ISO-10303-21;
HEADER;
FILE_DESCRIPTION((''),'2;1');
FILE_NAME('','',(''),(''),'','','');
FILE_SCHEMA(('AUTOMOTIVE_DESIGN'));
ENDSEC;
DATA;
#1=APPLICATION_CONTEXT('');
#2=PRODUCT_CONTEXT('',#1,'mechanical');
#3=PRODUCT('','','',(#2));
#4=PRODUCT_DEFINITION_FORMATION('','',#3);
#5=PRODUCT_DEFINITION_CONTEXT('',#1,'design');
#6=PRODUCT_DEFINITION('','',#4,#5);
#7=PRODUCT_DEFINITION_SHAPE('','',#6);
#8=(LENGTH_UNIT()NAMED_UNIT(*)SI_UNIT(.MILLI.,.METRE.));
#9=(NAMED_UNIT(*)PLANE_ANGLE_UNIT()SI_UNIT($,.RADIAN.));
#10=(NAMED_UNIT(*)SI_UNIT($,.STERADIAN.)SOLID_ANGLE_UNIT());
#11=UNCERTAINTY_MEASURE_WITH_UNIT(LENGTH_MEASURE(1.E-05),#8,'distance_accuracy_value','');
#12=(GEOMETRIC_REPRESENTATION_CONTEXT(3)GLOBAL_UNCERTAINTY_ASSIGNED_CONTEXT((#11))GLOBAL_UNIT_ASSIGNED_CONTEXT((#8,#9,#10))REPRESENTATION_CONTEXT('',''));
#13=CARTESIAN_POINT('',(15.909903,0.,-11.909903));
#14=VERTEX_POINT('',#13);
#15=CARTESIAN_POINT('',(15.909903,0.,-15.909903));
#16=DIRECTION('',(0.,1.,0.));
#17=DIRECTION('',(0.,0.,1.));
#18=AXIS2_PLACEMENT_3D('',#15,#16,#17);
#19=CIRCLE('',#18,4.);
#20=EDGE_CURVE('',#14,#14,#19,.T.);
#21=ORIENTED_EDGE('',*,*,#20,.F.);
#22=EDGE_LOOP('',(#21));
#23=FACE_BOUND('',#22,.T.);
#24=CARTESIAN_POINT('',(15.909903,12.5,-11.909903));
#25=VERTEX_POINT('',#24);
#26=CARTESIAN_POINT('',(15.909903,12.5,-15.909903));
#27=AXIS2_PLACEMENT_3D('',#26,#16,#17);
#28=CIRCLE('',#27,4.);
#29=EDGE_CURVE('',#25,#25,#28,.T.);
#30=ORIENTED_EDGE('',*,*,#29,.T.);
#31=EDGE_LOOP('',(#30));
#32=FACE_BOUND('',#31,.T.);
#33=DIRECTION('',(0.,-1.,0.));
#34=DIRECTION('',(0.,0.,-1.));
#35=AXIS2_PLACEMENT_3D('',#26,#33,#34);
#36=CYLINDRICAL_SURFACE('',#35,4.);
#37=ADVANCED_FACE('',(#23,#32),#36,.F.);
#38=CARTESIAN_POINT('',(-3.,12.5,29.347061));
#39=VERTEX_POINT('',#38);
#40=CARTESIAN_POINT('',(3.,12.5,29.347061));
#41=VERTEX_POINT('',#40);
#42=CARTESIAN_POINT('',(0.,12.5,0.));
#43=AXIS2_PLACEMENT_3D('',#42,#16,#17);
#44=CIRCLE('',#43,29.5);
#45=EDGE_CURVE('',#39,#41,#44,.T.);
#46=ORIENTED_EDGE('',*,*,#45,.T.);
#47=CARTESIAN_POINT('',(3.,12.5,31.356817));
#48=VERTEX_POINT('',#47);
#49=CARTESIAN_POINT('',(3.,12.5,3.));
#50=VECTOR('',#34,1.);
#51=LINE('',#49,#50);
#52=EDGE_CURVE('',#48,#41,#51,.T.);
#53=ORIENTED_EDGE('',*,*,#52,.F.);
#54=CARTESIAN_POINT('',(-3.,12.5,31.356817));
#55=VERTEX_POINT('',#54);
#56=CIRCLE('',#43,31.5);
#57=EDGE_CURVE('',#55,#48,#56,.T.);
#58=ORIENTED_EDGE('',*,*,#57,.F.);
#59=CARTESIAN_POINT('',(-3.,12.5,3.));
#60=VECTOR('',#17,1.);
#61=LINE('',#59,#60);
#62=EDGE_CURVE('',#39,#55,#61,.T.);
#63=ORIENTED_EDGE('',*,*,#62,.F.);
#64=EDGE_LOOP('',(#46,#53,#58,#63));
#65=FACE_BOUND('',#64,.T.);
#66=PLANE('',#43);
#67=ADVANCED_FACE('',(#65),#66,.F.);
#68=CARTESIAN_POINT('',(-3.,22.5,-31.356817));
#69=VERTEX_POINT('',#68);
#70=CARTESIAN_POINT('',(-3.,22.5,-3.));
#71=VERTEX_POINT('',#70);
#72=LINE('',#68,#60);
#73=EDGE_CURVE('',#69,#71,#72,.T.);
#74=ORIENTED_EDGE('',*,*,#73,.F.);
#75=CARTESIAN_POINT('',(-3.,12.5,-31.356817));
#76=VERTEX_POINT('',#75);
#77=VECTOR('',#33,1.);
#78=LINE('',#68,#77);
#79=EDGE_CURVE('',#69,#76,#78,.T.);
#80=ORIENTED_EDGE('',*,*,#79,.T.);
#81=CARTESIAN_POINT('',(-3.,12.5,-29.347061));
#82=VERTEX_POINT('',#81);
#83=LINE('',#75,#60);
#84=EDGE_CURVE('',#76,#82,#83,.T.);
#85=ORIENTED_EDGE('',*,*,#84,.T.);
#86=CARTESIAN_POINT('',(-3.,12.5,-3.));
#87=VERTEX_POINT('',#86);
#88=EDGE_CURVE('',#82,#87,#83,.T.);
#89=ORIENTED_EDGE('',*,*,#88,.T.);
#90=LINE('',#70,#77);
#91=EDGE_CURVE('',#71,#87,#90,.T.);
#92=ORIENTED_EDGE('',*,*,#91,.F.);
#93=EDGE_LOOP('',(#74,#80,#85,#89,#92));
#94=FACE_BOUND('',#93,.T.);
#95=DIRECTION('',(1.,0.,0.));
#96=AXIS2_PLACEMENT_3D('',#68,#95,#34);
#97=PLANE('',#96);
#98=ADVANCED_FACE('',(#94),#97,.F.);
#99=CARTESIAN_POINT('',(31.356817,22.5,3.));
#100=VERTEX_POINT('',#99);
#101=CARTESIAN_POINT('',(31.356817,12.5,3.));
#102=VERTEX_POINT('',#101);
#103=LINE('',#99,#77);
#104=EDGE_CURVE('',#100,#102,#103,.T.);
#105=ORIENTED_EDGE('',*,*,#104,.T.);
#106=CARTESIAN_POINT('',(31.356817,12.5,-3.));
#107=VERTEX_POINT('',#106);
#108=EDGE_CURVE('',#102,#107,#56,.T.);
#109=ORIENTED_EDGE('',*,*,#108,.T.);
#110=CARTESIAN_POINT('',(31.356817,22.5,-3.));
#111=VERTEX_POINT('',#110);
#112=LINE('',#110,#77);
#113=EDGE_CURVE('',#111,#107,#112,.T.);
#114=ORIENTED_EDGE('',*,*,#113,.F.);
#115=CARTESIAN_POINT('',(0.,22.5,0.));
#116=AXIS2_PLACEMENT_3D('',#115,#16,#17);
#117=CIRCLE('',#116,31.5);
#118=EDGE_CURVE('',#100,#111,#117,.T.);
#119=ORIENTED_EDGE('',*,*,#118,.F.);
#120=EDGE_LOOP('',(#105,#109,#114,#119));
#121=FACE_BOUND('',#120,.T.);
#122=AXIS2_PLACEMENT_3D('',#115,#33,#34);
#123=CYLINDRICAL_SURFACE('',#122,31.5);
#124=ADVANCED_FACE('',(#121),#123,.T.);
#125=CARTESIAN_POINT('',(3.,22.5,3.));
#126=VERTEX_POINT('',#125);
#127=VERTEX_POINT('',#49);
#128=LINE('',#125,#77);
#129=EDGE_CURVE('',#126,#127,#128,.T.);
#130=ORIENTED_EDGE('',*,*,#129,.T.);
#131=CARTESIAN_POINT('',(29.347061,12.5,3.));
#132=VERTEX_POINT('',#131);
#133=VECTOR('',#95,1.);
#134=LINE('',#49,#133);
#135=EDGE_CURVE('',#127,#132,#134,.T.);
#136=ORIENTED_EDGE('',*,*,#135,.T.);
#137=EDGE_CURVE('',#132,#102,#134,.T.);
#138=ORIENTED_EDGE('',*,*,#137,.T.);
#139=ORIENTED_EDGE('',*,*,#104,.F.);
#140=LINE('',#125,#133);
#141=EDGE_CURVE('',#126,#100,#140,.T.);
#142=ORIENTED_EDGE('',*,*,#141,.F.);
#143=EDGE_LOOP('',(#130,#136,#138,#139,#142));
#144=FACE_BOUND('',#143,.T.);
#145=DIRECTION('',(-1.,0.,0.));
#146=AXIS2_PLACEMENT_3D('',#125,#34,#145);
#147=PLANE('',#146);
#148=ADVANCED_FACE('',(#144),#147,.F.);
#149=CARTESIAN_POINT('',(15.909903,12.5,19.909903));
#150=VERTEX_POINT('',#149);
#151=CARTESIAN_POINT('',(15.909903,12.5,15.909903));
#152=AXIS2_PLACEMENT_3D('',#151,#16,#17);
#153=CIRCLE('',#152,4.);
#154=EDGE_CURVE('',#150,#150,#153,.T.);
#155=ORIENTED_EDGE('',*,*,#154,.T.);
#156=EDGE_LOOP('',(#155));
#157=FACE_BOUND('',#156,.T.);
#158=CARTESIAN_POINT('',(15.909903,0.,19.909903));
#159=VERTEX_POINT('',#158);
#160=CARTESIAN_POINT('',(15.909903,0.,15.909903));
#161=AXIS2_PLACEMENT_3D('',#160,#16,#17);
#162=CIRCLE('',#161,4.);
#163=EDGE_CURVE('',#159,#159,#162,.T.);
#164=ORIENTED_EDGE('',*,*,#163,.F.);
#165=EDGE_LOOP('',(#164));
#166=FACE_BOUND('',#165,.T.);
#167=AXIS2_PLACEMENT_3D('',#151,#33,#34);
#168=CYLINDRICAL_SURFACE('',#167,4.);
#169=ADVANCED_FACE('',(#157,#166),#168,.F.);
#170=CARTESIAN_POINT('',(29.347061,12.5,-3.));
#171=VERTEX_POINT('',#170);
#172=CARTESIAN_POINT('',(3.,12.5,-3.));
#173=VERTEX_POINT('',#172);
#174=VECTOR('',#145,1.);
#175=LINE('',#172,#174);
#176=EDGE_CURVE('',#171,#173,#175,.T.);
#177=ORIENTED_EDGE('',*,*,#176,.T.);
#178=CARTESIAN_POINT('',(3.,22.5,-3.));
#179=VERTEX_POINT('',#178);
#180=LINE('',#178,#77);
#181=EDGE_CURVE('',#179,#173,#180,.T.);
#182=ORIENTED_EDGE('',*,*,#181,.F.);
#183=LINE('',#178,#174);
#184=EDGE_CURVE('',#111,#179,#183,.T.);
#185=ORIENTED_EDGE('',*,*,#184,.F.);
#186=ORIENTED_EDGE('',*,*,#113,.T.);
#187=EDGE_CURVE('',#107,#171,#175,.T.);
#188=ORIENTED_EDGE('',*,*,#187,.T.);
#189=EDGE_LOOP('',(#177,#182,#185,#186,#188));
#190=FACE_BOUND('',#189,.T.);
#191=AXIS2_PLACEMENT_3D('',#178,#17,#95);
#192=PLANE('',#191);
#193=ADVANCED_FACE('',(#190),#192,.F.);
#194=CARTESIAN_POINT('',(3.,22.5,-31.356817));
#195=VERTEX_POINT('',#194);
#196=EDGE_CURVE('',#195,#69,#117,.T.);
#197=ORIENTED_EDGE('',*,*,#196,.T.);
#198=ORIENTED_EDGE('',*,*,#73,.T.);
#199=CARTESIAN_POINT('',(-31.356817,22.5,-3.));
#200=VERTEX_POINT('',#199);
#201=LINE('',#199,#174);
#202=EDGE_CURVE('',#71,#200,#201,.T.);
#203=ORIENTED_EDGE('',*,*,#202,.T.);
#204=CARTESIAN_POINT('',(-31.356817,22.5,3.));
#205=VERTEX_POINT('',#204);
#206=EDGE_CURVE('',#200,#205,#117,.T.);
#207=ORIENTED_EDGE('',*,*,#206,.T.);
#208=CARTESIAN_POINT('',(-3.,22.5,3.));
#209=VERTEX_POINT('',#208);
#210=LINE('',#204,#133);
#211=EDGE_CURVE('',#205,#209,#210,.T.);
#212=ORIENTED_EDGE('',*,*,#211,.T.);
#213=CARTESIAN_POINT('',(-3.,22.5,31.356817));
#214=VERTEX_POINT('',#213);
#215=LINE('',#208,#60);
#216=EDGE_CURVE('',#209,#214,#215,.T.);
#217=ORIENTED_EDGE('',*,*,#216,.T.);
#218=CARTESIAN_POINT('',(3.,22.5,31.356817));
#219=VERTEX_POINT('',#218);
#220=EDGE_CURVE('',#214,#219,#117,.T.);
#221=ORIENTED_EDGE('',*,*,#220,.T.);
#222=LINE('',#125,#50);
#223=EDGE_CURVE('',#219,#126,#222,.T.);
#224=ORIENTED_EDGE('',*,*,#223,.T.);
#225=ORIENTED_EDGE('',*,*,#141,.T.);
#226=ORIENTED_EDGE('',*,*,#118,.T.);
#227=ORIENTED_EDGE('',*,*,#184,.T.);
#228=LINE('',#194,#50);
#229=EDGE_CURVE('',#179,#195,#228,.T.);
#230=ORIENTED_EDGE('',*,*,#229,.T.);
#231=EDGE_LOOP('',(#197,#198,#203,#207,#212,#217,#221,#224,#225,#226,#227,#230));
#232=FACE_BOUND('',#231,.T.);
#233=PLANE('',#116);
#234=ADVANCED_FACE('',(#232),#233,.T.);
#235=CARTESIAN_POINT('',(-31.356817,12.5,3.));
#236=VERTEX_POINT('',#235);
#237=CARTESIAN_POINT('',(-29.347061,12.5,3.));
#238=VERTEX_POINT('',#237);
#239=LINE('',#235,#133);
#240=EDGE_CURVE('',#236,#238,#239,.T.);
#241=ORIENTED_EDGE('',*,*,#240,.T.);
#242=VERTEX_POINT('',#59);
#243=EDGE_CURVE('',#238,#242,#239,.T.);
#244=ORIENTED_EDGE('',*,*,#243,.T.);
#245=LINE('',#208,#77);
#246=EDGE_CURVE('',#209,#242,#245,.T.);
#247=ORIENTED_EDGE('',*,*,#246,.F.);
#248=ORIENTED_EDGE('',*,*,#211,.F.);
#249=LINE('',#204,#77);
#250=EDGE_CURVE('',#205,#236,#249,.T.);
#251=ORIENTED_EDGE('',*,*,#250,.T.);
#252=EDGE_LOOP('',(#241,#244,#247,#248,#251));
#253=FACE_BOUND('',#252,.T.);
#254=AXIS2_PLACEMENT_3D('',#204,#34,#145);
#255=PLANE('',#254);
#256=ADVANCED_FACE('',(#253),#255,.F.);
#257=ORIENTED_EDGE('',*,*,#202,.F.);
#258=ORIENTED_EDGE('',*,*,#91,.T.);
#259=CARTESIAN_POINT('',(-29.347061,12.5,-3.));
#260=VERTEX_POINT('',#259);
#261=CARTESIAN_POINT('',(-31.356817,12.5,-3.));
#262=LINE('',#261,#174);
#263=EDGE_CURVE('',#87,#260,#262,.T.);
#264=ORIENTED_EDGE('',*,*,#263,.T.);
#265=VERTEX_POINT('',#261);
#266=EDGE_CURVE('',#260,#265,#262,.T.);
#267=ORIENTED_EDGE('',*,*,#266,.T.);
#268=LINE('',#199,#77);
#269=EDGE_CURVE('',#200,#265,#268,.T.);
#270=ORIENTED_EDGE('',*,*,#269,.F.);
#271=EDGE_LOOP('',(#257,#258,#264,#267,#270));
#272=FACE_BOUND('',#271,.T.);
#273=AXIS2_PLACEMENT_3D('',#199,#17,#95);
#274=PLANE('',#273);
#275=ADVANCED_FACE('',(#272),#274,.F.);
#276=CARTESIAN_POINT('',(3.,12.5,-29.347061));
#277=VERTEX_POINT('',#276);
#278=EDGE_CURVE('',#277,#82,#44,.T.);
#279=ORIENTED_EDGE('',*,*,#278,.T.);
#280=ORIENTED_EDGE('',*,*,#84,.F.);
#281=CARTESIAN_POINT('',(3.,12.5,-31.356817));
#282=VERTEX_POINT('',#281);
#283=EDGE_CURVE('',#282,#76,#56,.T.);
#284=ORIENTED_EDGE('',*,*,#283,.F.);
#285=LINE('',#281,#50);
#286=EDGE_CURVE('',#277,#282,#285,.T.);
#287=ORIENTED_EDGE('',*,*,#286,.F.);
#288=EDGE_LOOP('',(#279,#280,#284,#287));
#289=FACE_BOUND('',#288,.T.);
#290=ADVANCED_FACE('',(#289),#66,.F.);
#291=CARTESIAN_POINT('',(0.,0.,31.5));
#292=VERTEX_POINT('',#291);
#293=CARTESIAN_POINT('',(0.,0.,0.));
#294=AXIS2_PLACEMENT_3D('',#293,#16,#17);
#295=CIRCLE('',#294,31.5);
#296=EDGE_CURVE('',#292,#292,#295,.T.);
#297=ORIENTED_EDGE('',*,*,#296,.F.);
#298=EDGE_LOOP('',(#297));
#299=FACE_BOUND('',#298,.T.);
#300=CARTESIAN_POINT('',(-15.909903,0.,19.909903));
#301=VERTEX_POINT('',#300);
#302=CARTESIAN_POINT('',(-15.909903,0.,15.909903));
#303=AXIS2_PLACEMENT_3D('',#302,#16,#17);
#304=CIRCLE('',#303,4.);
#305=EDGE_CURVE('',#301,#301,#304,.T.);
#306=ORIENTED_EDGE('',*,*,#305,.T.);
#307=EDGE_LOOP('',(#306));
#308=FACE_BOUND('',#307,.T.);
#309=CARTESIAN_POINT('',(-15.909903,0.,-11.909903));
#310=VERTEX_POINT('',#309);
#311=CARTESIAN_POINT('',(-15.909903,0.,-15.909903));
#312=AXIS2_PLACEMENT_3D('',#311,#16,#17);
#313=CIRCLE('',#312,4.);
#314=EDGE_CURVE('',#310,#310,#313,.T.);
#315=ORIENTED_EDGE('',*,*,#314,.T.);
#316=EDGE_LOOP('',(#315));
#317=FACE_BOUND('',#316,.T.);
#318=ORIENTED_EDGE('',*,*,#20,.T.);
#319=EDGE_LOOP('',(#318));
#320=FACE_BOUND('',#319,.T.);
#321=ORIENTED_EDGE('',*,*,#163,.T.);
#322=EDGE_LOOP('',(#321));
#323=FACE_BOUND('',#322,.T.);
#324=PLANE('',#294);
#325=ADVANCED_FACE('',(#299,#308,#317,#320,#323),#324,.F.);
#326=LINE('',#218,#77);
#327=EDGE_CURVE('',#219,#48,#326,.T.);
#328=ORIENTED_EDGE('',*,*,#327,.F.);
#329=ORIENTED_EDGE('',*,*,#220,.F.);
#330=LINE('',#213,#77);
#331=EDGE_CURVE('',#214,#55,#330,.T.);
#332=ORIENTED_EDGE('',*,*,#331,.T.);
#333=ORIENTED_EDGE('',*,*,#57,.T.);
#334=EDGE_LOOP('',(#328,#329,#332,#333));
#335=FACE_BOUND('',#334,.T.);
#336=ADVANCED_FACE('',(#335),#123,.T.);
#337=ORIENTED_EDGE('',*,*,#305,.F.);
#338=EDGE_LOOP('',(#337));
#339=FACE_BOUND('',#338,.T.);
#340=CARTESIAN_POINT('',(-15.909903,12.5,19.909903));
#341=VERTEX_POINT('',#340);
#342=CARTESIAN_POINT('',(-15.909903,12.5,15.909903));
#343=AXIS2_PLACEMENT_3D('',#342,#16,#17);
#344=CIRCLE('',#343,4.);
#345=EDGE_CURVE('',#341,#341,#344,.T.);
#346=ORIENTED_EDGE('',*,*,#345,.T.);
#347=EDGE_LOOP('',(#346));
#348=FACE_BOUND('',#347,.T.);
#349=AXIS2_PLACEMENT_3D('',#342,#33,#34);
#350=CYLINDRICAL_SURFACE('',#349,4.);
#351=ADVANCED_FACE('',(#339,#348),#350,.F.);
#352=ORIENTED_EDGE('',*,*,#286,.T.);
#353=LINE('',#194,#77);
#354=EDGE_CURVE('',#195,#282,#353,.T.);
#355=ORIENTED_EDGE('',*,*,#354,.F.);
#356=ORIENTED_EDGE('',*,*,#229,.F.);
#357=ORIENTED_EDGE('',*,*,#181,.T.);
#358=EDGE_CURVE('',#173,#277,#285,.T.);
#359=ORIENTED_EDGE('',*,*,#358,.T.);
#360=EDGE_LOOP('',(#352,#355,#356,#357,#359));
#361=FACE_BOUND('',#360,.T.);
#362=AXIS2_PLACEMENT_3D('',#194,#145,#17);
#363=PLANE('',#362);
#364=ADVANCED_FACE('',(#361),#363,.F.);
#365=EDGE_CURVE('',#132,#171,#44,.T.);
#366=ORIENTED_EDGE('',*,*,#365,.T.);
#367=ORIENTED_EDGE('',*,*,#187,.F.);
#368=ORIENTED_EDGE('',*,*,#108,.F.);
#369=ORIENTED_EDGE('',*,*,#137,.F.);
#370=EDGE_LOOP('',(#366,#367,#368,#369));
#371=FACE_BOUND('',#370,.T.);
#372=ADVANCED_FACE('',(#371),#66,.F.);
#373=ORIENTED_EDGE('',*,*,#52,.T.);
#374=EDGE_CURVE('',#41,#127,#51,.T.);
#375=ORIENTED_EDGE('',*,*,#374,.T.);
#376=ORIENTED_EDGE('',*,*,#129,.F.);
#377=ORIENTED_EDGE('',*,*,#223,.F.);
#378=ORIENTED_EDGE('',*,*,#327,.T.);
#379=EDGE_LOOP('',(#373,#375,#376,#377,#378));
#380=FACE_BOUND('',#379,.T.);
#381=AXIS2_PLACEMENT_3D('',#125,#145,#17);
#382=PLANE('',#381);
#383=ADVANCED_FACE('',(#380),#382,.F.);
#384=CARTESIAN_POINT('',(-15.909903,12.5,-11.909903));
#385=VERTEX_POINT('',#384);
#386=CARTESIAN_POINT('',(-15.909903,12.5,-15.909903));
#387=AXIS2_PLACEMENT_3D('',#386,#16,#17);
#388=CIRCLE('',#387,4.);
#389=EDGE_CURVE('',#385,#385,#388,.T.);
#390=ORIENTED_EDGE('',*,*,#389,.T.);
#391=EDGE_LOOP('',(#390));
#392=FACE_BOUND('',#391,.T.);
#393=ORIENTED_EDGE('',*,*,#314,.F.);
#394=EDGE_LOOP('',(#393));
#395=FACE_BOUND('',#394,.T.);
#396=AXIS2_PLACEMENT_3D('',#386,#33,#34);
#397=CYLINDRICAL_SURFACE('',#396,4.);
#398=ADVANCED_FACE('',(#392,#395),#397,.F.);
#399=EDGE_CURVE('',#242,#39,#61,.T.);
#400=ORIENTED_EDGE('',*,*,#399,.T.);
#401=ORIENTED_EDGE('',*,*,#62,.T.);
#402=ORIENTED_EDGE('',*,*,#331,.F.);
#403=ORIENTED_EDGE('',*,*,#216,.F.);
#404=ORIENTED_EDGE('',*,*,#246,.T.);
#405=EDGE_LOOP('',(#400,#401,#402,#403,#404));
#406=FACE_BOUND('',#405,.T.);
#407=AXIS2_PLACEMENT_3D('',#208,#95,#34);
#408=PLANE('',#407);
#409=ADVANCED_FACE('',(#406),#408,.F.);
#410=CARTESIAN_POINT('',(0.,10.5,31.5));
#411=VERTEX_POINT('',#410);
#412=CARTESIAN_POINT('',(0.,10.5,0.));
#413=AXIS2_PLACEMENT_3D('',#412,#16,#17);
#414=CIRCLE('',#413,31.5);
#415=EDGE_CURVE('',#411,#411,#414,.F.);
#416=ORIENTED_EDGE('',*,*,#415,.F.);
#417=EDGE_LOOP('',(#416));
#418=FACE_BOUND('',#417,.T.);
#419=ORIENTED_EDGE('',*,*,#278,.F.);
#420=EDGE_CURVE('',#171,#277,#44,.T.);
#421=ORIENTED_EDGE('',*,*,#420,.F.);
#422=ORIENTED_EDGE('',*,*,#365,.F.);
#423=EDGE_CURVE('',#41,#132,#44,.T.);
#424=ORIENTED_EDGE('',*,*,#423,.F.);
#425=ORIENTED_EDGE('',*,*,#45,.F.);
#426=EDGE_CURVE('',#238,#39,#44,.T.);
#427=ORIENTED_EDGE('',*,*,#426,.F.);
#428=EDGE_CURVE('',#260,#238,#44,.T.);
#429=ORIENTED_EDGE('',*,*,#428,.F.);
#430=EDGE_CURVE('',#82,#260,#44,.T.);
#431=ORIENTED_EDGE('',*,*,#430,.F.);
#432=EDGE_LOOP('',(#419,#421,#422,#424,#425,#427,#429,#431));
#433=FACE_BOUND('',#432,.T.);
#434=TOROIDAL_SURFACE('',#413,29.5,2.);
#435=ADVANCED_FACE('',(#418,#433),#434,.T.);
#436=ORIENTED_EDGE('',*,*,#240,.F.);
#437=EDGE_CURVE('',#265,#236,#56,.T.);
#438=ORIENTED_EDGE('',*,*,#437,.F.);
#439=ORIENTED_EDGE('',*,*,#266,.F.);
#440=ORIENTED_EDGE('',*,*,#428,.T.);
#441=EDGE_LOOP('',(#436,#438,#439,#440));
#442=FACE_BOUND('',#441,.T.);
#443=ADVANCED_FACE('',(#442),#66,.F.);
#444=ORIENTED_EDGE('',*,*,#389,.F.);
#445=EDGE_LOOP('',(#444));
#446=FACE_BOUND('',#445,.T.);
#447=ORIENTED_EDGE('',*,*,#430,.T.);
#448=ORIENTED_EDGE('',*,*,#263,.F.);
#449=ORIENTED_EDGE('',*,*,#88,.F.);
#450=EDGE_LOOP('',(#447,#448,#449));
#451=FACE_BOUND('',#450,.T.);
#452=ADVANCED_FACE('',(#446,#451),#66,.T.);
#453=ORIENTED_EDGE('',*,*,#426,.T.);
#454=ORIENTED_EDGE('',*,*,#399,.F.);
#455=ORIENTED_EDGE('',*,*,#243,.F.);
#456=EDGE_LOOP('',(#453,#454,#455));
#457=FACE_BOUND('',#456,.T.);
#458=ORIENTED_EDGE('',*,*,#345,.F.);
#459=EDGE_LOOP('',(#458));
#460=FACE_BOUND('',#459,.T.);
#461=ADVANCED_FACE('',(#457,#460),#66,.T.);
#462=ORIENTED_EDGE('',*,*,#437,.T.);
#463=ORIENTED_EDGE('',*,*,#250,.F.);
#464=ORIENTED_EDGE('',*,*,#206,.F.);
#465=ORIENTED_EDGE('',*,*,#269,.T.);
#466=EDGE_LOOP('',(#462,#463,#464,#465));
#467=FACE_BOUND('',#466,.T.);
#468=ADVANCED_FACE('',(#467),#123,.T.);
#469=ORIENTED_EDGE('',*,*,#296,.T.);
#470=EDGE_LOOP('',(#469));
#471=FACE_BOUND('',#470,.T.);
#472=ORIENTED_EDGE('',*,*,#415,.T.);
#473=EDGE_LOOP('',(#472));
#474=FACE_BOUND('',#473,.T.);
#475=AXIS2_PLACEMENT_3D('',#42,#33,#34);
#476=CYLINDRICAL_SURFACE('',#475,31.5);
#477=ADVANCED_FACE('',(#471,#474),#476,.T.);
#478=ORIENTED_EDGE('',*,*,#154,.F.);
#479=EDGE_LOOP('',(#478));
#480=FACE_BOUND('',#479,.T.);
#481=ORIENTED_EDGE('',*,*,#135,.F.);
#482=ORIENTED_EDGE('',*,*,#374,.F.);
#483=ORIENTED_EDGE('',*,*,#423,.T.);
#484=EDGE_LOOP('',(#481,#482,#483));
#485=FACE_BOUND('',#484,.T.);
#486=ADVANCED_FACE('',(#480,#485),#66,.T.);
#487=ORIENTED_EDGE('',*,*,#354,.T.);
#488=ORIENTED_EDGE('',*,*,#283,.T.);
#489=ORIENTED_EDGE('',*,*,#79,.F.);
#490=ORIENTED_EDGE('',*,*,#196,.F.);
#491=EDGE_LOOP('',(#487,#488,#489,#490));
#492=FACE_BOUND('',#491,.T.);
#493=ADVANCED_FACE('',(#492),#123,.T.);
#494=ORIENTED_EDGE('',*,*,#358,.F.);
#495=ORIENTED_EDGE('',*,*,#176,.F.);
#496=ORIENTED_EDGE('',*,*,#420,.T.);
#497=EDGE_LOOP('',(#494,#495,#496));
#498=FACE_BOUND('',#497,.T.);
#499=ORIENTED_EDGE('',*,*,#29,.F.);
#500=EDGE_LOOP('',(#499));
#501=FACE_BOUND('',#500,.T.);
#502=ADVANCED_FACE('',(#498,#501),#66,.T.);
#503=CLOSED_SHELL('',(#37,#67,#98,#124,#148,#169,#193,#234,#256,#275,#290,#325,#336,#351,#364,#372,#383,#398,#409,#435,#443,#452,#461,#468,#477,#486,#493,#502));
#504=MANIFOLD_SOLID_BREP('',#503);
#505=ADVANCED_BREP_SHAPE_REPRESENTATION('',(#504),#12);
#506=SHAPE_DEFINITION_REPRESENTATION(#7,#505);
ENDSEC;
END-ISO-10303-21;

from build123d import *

# Parameters (mm, degrees)
SKETCH_1_R      = 31.5
SKETCH_1_R_2    = 4
EXTRUDE_1_DEPTH = 12.5
FILLET_1_R      = 2
EXTRUDE_2_DEPTH = 10


with BuildPart() as part:
    # 草图1 → 凸台-拉伸1 (new body)
    with BuildSketch(Plane(origin=(0, 0, 0), x_dir=(1, 0, 0), z_dir=(0, 1, 0))):
        with Locations(Location((0, 0, 0), (0, 0, 270))):
            Circle(SKETCH_1_R)
        with Locations(Location((-15.909902577, 15.909902577, 0), (0, 0, 270))):
            Circle(SKETCH_1_R_2, mode=Mode.SUBTRACT)
        with Locations(Location((15.909902577, 15.909902577, 0), (0, 0, 270))):
            Circle(SKETCH_1_R_2, mode=Mode.SUBTRACT)
        with Locations(Location((15.909902577, -15.909902577, 0), (0, 0, 270))):
            Circle(SKETCH_1_R_2, mode=Mode.SUBTRACT)
        with Locations(Location((-15.909902577, -15.909902577, 0), (0, 0, 270))):
            Circle(SKETCH_1_R_2, mode=Mode.SUBTRACT)
    extrude(amount=EXTRUDE_1_DEPTH)

    # 圆角1
    fillet_1_edges = [part.edges().sort_by_distance(p)[0] for p in [
        (0, 12.5, -31.5),
    ]]
    fillet(fillet_1_edges, radius=FILLET_1_R)

    # 草图2 → 凸台-拉伸2 (add)
    with BuildSketch(Plane(origin=(0, 12.5, 0), x_dir=(1, 0, 0), z_dir=(0, 1, 0))):
        with BuildLine():
            Line((3, 31.356817441), (3, 3))
            Line((3, 3), (31.356817441, 3))
            ThreePointArc((31.356817441, 3), (31.5, 0), (31.356817441, -3))
            Line((31.356817441, -3), (3, -3))
            Line((3, -3), (3, -31.356817441))
            ThreePointArc((3, -31.356817441), (0, -31.5), (-3, -31.356817441))
            Line((-3, -31.356817441), (-3, -3))
            Line((-3, -3), (-31.356817441, -3))
            ThreePointArc((-31.356817441, -3), (-31.5, 0), (-31.356817441, 3))
            Line((-31.356817441, 3), (-3, 3))
            Line((-3, 3), (-3, 31.356817441))
            ThreePointArc((-3, 31.356817441), (0, 31.5), (3, 31.356817441))
        make_face()
    extrude(amount=EXTRUDE_2_DEPTH)


solid = part.part
